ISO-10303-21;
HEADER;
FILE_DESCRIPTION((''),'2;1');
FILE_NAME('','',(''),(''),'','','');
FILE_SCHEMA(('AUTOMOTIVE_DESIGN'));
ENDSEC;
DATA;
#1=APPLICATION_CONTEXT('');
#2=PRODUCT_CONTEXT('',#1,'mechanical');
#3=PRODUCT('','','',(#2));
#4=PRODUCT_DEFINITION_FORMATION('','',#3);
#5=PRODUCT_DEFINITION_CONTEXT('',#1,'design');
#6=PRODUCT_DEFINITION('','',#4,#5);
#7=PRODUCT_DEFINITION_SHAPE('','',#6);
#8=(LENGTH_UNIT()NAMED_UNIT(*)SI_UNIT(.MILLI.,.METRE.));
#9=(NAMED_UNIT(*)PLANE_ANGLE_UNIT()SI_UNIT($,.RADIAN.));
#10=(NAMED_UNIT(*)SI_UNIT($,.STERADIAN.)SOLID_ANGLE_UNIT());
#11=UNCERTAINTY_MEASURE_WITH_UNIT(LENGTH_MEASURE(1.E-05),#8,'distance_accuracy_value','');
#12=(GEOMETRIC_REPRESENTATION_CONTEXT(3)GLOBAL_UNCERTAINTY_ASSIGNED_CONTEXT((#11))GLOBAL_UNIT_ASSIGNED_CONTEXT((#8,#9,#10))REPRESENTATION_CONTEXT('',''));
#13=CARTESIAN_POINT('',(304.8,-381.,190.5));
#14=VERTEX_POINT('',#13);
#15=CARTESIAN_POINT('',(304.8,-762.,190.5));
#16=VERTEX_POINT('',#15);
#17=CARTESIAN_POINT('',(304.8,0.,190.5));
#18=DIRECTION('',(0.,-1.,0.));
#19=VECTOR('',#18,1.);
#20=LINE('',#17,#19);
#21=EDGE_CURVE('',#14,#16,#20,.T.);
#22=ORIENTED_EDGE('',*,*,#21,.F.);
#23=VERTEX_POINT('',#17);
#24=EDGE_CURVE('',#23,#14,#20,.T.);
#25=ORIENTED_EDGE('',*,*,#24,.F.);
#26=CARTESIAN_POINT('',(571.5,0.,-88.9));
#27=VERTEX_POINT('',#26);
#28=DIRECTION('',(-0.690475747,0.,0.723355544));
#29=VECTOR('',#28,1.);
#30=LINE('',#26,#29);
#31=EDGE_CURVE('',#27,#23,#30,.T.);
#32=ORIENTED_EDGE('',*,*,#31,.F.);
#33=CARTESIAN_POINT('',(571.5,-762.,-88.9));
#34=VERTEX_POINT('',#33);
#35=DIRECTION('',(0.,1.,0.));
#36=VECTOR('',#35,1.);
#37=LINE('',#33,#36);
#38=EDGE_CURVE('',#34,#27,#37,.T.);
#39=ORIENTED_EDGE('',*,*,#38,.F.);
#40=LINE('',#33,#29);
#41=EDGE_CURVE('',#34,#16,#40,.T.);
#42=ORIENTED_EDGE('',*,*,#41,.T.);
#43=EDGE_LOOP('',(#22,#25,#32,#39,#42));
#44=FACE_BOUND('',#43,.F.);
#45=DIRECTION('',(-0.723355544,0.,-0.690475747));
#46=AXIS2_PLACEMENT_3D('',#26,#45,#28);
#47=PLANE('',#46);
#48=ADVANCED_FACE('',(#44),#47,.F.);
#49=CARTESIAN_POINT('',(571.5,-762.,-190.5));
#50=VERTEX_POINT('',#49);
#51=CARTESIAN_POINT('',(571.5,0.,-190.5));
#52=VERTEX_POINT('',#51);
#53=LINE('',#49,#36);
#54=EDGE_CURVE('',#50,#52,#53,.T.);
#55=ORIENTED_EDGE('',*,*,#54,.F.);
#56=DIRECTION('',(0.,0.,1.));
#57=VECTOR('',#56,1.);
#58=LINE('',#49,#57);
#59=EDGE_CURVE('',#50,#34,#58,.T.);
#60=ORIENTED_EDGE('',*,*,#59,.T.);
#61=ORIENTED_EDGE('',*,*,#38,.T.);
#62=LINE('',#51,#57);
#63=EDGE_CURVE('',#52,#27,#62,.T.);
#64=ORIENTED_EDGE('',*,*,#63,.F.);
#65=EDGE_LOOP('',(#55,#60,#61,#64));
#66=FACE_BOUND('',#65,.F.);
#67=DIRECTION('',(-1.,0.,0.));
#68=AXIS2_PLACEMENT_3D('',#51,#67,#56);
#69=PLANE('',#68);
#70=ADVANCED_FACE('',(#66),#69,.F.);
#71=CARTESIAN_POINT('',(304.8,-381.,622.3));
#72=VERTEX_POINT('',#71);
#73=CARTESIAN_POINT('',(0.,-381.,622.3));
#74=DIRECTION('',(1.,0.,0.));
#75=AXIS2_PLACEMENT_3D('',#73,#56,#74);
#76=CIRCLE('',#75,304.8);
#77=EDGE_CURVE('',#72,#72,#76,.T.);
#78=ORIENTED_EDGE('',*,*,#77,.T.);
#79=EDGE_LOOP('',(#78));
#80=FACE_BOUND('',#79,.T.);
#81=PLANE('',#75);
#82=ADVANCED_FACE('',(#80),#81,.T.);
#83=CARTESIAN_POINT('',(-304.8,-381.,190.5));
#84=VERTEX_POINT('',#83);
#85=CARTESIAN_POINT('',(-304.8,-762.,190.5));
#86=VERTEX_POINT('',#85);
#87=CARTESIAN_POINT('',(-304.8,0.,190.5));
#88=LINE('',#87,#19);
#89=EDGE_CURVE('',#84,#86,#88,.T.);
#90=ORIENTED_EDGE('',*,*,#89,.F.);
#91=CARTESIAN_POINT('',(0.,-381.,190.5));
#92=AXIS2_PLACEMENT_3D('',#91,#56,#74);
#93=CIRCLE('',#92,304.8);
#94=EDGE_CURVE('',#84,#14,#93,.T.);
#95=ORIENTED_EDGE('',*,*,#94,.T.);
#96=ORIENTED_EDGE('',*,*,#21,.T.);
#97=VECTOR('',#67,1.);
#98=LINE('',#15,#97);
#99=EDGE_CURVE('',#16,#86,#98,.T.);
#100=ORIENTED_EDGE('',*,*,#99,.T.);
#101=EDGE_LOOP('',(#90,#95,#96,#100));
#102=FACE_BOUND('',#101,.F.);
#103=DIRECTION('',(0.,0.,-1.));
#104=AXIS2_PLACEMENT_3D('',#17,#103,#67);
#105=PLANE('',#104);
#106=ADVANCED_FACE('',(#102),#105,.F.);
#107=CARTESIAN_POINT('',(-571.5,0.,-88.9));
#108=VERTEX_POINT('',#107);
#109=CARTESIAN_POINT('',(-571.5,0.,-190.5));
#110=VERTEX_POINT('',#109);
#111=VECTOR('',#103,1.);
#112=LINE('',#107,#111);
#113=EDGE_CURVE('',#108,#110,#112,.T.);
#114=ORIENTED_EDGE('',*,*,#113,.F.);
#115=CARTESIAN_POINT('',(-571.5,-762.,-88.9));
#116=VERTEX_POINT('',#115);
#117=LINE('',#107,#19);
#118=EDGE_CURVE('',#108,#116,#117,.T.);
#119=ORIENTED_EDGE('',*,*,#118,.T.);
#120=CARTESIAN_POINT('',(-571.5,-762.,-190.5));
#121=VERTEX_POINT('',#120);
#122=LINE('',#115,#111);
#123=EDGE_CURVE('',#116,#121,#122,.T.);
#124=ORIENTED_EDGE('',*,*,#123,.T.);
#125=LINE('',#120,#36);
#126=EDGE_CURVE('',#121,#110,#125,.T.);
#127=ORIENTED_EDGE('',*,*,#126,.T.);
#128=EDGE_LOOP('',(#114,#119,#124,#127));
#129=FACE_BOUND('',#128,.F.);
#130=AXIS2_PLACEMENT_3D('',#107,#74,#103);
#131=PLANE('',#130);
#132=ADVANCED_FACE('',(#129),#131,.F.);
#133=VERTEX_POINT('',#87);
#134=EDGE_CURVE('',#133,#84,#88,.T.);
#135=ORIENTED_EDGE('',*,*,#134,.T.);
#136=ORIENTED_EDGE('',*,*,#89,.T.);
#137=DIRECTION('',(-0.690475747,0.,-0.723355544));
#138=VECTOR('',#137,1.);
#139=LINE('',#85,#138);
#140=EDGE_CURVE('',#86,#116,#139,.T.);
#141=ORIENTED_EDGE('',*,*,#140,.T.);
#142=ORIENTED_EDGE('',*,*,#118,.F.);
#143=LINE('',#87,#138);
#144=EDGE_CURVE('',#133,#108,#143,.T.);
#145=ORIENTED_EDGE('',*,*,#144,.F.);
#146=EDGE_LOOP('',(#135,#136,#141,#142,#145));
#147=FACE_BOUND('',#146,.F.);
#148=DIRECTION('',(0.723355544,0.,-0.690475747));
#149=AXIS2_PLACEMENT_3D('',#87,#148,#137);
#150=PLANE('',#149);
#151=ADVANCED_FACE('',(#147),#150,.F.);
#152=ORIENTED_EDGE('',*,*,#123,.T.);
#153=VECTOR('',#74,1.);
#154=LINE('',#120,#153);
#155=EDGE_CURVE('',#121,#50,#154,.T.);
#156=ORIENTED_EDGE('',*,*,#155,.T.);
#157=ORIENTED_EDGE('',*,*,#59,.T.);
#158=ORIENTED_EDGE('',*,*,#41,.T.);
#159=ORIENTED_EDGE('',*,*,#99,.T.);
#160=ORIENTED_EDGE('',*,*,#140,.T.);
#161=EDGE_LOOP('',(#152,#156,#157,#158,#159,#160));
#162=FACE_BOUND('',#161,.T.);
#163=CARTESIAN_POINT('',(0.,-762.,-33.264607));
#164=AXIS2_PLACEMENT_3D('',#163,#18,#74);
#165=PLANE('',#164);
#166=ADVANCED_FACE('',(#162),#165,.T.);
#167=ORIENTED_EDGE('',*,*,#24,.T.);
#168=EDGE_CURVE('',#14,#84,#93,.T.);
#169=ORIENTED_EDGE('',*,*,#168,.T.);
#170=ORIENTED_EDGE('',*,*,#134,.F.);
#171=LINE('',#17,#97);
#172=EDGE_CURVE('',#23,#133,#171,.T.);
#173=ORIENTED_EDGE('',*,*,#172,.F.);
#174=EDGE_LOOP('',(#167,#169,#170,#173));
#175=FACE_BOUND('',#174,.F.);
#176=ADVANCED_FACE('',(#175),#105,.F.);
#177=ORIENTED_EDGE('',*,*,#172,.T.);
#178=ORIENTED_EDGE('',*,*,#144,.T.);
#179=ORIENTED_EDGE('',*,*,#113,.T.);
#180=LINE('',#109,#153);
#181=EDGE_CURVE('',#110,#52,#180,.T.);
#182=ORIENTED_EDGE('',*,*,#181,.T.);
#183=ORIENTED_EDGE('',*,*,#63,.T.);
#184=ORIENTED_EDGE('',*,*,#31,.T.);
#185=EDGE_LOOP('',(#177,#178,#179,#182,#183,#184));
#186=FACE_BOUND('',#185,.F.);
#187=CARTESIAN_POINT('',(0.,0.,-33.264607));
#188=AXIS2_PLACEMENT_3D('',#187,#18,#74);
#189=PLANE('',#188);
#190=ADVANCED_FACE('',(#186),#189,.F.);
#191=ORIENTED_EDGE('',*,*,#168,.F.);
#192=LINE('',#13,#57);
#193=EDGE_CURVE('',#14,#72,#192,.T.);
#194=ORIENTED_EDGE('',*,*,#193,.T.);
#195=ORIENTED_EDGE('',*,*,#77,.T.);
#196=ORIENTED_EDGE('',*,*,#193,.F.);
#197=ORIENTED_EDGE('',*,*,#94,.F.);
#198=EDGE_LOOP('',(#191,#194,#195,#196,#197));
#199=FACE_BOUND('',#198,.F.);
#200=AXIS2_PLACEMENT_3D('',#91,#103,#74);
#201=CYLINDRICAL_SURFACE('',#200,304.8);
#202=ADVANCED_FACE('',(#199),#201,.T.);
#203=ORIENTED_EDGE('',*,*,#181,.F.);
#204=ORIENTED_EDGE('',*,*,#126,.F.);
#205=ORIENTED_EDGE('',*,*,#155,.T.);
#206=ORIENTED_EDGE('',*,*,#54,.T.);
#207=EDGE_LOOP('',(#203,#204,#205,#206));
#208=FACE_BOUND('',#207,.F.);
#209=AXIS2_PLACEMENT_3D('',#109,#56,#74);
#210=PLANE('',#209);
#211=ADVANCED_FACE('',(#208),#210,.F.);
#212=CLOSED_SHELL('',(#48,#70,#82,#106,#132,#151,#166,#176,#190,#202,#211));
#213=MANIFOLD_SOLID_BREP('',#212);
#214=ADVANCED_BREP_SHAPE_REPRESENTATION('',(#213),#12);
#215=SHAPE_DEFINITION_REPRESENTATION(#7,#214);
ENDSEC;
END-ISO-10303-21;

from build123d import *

# Parameters (mm, degrees)
F1_DEPTH = 25.4
F2_DEPTH = 762
F3_R     = 304.8
F4_DEPTH = 431.8


with BuildPart() as f1:
    # F0 (on Front) → F1 (new body)
    with BuildSketch(Plane.XZ):
        Polygon((571.5, -88.9), (304.8, 190.5), (-304.8, 190.5), (-571.5, -88.9), (-571.5, -190.5), (571.5, -190.5), align=None)
    extrude(amount=F1_DEPTH)

    # F0 (on Front) → F2 (join)
    with BuildSketch(Plane.XZ):
        Polygon((571.5, -88.9), (304.8, 190.5), (-304.8, 190.5), (-571.5, -88.9), (-571.5, -190.5), (571.5, -190.5), align=None)
    extrude(amount=F2_DEPTH)

    # F3 (on face) → F4 (join)
    with BuildSketch(Plane.XY.offset(190.5)):
        with Locations((0, -381)):
            Circle(F3_R)
        with BuildLine():
            ThreePointArc((-304.8, -381), (0, -685.8), (304.8, -381))
            ThreePointArc((304.8, -381), (0, -76.2), (-304.8, -381))
        make_face()
    extrude(amount=F4_DEPTH)


solid = f1.part
